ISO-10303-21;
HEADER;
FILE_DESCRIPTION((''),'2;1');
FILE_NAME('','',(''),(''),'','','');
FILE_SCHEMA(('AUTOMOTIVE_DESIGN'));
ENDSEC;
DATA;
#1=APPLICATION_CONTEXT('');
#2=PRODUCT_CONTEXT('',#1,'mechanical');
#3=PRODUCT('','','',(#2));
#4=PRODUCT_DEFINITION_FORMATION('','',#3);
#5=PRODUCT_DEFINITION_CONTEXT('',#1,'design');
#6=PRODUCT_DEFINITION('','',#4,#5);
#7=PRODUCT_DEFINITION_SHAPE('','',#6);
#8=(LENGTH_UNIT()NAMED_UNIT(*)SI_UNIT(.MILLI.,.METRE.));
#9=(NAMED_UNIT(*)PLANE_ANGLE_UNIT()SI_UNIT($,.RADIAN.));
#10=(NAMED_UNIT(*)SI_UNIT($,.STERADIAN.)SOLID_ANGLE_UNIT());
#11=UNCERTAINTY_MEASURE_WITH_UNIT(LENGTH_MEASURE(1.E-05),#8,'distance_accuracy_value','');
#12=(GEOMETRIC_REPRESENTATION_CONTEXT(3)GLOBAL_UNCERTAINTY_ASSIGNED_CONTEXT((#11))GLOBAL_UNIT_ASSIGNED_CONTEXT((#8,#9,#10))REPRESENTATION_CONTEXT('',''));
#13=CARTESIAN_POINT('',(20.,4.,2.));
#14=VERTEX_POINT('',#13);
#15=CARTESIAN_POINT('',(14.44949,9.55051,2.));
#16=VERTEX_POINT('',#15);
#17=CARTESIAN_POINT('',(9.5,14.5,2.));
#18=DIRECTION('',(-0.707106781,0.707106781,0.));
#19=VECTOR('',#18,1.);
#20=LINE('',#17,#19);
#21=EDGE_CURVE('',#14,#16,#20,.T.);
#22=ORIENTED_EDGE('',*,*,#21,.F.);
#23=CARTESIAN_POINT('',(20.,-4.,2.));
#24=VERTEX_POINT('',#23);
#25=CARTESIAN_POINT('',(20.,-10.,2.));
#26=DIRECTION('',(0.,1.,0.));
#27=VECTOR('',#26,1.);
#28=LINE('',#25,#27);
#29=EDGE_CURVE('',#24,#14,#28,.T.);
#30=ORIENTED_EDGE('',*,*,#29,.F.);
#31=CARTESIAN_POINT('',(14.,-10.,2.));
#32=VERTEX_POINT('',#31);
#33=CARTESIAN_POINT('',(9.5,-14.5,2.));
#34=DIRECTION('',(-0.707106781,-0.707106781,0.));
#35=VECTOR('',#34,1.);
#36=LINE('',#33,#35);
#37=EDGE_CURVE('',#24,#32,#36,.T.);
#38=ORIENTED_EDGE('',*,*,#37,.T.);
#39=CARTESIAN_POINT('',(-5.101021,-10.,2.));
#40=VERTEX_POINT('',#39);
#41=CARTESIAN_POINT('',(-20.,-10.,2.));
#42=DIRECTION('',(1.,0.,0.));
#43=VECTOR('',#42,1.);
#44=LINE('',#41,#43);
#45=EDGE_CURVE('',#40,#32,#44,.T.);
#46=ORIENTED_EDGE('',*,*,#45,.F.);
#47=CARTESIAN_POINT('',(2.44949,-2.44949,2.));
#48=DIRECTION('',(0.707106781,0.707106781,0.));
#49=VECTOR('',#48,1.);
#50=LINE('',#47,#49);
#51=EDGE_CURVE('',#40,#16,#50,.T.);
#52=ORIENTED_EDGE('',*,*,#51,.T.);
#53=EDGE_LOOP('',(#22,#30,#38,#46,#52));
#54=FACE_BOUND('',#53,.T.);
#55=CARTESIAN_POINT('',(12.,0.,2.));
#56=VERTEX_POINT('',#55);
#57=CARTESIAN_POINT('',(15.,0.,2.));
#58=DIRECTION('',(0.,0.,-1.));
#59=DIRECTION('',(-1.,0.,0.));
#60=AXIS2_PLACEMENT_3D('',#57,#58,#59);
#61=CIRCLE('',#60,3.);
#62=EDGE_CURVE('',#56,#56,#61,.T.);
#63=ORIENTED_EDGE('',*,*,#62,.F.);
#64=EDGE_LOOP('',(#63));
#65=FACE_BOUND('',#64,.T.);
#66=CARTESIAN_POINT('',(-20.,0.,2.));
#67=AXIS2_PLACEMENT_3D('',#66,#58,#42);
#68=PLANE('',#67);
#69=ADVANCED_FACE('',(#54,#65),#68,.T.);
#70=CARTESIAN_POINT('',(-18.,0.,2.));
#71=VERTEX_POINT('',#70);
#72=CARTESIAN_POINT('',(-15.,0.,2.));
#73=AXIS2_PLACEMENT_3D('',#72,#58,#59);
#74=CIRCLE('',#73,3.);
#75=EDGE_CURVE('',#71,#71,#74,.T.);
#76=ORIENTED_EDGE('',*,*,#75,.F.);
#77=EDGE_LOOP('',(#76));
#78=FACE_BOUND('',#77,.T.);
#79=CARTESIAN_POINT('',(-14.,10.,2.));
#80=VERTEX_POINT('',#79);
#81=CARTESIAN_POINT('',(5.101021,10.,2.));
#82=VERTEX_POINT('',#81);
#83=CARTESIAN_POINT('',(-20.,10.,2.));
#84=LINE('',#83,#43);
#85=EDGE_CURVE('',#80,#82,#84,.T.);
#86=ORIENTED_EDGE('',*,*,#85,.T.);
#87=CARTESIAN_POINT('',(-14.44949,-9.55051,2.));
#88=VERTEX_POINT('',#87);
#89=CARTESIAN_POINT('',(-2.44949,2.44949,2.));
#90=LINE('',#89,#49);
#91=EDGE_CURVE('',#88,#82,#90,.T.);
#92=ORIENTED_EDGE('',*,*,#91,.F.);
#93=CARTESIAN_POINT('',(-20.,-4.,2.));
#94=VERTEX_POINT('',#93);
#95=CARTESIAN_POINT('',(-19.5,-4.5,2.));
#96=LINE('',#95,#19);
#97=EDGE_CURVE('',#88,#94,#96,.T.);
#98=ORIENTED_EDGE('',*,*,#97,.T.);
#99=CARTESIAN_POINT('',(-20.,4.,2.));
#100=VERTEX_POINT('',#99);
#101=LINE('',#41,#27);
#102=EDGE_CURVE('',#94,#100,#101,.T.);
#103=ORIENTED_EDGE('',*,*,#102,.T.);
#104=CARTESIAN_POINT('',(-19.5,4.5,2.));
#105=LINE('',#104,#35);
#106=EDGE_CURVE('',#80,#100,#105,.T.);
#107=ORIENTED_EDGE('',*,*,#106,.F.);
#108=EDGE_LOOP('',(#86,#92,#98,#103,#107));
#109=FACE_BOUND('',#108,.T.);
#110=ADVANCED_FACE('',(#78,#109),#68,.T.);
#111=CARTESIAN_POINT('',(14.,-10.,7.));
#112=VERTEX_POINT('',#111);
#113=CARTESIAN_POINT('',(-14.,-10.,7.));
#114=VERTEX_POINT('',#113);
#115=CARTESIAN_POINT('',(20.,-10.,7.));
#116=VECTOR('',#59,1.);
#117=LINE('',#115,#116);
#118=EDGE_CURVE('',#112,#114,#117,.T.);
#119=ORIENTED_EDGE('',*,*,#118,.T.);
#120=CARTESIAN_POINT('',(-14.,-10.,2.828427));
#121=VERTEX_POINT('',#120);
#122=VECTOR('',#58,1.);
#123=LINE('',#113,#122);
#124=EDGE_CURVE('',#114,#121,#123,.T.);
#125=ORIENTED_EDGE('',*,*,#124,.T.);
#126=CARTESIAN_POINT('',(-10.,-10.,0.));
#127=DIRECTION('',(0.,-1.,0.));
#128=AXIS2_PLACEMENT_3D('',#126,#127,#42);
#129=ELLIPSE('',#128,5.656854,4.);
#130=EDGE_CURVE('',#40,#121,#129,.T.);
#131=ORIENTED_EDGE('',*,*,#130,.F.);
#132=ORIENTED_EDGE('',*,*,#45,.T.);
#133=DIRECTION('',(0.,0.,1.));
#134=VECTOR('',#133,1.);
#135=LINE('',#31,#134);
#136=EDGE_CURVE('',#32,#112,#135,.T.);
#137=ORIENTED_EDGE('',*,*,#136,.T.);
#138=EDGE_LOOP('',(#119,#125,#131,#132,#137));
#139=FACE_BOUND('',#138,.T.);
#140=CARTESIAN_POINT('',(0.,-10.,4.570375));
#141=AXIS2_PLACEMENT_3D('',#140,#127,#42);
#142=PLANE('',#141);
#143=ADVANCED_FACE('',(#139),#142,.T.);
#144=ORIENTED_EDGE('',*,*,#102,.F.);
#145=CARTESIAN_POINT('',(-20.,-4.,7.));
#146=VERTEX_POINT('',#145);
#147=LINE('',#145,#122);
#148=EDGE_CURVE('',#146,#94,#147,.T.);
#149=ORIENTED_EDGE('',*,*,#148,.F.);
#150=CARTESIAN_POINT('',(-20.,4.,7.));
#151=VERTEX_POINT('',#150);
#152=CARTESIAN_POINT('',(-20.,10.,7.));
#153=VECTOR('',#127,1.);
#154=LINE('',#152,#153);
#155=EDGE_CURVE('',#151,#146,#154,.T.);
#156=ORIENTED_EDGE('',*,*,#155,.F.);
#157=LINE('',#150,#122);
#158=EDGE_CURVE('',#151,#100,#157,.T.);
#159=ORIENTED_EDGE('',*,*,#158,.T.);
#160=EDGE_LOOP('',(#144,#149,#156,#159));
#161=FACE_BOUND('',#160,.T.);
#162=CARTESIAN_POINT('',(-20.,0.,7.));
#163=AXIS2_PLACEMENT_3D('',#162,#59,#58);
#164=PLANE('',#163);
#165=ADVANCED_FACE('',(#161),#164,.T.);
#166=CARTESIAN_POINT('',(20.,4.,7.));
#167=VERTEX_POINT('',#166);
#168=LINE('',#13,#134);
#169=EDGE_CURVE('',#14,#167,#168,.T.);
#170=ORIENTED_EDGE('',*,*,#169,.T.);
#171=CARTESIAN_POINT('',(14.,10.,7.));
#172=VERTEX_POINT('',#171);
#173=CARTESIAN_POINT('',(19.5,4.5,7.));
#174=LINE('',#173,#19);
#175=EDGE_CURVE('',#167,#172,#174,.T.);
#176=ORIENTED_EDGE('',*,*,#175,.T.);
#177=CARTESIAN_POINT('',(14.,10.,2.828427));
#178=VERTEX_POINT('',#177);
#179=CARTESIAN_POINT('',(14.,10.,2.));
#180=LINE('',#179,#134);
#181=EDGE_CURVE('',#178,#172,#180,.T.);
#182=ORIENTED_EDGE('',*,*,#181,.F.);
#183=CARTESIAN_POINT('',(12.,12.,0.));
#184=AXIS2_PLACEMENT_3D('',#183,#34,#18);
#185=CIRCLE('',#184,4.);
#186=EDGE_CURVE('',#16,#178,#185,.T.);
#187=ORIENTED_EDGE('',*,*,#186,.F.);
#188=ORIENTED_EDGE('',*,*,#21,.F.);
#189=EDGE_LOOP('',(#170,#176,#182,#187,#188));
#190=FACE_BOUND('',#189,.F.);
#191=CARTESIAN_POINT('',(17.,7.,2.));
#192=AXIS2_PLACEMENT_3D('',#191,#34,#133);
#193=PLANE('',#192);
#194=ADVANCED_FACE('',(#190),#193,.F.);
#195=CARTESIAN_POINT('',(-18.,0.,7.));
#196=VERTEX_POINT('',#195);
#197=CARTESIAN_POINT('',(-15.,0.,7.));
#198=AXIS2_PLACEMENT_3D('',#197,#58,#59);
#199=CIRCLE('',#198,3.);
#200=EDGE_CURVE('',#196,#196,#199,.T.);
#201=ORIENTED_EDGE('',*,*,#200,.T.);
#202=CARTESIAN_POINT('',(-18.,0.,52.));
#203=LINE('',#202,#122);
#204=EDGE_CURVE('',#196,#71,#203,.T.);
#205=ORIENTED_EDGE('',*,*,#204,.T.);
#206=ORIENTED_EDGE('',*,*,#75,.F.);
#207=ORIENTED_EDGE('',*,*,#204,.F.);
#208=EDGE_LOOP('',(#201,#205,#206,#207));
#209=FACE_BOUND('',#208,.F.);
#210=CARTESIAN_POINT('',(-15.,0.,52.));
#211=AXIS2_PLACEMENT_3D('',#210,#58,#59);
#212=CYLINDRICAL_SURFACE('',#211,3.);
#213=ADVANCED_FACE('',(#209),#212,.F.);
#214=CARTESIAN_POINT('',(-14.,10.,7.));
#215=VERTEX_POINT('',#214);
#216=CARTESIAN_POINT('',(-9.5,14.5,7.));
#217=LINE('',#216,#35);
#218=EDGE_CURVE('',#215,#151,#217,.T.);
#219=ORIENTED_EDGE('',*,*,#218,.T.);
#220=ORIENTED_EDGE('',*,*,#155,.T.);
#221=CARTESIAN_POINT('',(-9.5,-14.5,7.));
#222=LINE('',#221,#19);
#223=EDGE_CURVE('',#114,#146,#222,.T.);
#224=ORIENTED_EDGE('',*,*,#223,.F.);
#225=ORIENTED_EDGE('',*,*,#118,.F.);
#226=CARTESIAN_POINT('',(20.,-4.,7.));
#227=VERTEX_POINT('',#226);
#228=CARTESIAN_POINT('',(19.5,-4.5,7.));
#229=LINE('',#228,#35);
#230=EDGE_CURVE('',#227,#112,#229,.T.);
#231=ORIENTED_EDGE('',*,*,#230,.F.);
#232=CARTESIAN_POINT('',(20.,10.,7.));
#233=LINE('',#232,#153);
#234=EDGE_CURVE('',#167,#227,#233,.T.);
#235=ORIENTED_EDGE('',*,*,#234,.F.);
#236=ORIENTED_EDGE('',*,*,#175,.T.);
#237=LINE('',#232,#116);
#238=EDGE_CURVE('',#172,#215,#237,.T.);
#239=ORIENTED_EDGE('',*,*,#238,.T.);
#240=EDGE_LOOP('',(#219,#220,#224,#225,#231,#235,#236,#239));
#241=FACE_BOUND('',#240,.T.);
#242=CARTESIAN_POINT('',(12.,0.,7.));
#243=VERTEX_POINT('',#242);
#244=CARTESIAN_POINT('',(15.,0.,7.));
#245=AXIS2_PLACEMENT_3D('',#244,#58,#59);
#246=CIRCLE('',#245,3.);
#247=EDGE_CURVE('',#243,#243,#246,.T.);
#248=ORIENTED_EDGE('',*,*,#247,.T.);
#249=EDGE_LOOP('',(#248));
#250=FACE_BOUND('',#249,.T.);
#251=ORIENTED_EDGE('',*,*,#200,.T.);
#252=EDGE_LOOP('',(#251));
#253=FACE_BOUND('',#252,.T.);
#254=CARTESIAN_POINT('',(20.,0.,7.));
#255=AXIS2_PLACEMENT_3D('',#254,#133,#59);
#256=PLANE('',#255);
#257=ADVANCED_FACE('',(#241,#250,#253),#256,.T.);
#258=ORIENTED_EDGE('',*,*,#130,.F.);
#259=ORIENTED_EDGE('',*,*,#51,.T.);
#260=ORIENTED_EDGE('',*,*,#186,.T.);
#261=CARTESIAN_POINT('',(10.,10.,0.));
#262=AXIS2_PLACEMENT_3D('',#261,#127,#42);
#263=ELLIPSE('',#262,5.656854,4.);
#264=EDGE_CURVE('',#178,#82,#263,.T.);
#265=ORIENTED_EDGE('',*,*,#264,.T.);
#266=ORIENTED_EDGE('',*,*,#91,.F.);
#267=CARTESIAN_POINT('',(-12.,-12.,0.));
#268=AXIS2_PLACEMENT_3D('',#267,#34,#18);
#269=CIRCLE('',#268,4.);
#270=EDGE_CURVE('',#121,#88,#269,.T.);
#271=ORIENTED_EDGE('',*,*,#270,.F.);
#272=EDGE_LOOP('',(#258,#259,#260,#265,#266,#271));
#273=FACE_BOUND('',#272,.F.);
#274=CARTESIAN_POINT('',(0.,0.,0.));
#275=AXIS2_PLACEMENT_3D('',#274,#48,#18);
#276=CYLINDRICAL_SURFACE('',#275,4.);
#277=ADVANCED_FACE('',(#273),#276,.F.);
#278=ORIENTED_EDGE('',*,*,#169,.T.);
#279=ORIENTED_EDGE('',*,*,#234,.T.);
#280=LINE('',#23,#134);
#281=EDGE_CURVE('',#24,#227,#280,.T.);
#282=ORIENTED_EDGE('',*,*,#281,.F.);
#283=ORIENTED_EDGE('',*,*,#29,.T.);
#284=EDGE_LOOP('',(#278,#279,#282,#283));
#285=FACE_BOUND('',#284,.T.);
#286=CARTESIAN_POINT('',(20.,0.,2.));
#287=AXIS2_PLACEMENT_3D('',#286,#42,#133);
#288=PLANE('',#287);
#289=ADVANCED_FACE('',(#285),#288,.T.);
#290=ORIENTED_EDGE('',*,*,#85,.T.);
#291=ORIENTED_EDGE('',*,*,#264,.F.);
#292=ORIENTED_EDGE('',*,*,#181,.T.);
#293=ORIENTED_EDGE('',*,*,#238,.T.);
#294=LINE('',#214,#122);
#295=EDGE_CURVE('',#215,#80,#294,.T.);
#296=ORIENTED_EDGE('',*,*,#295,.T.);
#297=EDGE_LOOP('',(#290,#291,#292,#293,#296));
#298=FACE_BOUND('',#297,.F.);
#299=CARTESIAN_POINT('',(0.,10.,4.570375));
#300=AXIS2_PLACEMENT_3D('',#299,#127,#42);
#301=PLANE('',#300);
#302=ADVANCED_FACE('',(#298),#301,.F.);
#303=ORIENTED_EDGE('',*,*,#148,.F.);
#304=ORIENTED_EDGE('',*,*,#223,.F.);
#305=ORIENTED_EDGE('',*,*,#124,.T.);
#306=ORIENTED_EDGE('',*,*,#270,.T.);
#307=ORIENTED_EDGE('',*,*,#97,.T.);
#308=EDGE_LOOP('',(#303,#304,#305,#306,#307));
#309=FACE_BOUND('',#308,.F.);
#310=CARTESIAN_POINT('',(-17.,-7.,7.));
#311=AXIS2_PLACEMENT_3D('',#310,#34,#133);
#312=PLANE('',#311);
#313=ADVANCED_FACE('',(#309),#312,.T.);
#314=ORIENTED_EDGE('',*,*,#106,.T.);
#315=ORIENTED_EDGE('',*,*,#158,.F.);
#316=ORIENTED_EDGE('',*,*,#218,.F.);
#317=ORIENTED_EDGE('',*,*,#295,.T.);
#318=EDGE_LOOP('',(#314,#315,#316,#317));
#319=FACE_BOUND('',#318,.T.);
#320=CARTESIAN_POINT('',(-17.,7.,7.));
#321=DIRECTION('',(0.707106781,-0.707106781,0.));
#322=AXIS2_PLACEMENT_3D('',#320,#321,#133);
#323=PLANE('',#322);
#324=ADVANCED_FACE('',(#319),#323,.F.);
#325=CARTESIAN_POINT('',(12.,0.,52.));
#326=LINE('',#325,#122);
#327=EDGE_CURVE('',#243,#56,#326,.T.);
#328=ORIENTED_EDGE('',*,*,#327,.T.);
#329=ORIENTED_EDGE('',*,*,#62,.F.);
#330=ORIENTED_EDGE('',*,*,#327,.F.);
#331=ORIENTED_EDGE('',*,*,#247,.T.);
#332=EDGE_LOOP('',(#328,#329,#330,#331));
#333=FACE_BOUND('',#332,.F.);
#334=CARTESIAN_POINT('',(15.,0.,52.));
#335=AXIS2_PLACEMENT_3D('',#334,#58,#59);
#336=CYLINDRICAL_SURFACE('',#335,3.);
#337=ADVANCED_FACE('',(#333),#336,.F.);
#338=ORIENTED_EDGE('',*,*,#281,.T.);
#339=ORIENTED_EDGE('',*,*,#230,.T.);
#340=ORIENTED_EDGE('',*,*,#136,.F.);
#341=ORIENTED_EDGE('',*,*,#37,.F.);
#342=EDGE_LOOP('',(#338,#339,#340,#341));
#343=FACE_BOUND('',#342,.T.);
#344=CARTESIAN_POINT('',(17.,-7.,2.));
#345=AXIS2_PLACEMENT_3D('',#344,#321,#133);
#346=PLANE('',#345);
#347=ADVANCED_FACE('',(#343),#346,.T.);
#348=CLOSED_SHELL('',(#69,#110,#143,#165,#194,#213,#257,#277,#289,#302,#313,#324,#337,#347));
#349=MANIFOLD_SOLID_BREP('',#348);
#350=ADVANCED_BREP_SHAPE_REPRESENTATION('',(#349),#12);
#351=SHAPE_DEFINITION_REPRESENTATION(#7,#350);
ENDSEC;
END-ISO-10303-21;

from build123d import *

# Parameters (mm, degrees)
F1_DEPTH = 10
F3_D     = 6
F5_R     = 4
F6_DEPTH = 30
F7_SIZE  = 6


with BuildPart() as f1:
    # F0 (on Front) → F1 (new body, symmetric)
    with BuildSketch(Plane.XZ):
        with BuildLine():
            ThreePointArc((-3.4641016151, 2), (0, 4), (3.4641016151, 2))
            Line((3.4641016151, 2), (20, 2))
            Line((20, 2), (20, 7))
            Line((20, 7), (-20, 7))
            Line((-20, 7), (-20, 2))
            Line((-20, 2), (-3.4641016151, 2))
        make_face()
        with BuildLine():
            Line((-3.4641016151, 2), (3.4641016151, 2))
            ThreePointArc((3.4641016151, 2), (0, 4), (-3.4641016151, 2))
        make_face()
    extrude(amount=F1_DEPTH, both=True)

    # F3 (through all)
    with Locations(Plane.XY.offset(7)):
        with Locations((15, 0), (-15, 0)):
            Hole(F3_D / 2)

    # F5 (on face) → F6 (cut, symmetric)
    with BuildSketch(Plane(origin=(0, 0, 0), x_dir=(-0.7071067812, 0.7071067812, 0), z_dir=(0.7071067812, 0.7071067812, 0))):
        Circle(F5_R)
    extrude(amount=F6_DEPTH, both=True, mode=Mode.SUBTRACT)

    # F7
    f7_edges = [f1.edges().sort_by_distance(p)[0] for p in [
        (-20, -10, 4.5),
        (20, 10, 4.5),
        (20, -10, 4.5),
        (-20, 10, 4.5),
    ]]
    chamfer(f7_edges, length=F7_SIZE)


solid = f1.part
